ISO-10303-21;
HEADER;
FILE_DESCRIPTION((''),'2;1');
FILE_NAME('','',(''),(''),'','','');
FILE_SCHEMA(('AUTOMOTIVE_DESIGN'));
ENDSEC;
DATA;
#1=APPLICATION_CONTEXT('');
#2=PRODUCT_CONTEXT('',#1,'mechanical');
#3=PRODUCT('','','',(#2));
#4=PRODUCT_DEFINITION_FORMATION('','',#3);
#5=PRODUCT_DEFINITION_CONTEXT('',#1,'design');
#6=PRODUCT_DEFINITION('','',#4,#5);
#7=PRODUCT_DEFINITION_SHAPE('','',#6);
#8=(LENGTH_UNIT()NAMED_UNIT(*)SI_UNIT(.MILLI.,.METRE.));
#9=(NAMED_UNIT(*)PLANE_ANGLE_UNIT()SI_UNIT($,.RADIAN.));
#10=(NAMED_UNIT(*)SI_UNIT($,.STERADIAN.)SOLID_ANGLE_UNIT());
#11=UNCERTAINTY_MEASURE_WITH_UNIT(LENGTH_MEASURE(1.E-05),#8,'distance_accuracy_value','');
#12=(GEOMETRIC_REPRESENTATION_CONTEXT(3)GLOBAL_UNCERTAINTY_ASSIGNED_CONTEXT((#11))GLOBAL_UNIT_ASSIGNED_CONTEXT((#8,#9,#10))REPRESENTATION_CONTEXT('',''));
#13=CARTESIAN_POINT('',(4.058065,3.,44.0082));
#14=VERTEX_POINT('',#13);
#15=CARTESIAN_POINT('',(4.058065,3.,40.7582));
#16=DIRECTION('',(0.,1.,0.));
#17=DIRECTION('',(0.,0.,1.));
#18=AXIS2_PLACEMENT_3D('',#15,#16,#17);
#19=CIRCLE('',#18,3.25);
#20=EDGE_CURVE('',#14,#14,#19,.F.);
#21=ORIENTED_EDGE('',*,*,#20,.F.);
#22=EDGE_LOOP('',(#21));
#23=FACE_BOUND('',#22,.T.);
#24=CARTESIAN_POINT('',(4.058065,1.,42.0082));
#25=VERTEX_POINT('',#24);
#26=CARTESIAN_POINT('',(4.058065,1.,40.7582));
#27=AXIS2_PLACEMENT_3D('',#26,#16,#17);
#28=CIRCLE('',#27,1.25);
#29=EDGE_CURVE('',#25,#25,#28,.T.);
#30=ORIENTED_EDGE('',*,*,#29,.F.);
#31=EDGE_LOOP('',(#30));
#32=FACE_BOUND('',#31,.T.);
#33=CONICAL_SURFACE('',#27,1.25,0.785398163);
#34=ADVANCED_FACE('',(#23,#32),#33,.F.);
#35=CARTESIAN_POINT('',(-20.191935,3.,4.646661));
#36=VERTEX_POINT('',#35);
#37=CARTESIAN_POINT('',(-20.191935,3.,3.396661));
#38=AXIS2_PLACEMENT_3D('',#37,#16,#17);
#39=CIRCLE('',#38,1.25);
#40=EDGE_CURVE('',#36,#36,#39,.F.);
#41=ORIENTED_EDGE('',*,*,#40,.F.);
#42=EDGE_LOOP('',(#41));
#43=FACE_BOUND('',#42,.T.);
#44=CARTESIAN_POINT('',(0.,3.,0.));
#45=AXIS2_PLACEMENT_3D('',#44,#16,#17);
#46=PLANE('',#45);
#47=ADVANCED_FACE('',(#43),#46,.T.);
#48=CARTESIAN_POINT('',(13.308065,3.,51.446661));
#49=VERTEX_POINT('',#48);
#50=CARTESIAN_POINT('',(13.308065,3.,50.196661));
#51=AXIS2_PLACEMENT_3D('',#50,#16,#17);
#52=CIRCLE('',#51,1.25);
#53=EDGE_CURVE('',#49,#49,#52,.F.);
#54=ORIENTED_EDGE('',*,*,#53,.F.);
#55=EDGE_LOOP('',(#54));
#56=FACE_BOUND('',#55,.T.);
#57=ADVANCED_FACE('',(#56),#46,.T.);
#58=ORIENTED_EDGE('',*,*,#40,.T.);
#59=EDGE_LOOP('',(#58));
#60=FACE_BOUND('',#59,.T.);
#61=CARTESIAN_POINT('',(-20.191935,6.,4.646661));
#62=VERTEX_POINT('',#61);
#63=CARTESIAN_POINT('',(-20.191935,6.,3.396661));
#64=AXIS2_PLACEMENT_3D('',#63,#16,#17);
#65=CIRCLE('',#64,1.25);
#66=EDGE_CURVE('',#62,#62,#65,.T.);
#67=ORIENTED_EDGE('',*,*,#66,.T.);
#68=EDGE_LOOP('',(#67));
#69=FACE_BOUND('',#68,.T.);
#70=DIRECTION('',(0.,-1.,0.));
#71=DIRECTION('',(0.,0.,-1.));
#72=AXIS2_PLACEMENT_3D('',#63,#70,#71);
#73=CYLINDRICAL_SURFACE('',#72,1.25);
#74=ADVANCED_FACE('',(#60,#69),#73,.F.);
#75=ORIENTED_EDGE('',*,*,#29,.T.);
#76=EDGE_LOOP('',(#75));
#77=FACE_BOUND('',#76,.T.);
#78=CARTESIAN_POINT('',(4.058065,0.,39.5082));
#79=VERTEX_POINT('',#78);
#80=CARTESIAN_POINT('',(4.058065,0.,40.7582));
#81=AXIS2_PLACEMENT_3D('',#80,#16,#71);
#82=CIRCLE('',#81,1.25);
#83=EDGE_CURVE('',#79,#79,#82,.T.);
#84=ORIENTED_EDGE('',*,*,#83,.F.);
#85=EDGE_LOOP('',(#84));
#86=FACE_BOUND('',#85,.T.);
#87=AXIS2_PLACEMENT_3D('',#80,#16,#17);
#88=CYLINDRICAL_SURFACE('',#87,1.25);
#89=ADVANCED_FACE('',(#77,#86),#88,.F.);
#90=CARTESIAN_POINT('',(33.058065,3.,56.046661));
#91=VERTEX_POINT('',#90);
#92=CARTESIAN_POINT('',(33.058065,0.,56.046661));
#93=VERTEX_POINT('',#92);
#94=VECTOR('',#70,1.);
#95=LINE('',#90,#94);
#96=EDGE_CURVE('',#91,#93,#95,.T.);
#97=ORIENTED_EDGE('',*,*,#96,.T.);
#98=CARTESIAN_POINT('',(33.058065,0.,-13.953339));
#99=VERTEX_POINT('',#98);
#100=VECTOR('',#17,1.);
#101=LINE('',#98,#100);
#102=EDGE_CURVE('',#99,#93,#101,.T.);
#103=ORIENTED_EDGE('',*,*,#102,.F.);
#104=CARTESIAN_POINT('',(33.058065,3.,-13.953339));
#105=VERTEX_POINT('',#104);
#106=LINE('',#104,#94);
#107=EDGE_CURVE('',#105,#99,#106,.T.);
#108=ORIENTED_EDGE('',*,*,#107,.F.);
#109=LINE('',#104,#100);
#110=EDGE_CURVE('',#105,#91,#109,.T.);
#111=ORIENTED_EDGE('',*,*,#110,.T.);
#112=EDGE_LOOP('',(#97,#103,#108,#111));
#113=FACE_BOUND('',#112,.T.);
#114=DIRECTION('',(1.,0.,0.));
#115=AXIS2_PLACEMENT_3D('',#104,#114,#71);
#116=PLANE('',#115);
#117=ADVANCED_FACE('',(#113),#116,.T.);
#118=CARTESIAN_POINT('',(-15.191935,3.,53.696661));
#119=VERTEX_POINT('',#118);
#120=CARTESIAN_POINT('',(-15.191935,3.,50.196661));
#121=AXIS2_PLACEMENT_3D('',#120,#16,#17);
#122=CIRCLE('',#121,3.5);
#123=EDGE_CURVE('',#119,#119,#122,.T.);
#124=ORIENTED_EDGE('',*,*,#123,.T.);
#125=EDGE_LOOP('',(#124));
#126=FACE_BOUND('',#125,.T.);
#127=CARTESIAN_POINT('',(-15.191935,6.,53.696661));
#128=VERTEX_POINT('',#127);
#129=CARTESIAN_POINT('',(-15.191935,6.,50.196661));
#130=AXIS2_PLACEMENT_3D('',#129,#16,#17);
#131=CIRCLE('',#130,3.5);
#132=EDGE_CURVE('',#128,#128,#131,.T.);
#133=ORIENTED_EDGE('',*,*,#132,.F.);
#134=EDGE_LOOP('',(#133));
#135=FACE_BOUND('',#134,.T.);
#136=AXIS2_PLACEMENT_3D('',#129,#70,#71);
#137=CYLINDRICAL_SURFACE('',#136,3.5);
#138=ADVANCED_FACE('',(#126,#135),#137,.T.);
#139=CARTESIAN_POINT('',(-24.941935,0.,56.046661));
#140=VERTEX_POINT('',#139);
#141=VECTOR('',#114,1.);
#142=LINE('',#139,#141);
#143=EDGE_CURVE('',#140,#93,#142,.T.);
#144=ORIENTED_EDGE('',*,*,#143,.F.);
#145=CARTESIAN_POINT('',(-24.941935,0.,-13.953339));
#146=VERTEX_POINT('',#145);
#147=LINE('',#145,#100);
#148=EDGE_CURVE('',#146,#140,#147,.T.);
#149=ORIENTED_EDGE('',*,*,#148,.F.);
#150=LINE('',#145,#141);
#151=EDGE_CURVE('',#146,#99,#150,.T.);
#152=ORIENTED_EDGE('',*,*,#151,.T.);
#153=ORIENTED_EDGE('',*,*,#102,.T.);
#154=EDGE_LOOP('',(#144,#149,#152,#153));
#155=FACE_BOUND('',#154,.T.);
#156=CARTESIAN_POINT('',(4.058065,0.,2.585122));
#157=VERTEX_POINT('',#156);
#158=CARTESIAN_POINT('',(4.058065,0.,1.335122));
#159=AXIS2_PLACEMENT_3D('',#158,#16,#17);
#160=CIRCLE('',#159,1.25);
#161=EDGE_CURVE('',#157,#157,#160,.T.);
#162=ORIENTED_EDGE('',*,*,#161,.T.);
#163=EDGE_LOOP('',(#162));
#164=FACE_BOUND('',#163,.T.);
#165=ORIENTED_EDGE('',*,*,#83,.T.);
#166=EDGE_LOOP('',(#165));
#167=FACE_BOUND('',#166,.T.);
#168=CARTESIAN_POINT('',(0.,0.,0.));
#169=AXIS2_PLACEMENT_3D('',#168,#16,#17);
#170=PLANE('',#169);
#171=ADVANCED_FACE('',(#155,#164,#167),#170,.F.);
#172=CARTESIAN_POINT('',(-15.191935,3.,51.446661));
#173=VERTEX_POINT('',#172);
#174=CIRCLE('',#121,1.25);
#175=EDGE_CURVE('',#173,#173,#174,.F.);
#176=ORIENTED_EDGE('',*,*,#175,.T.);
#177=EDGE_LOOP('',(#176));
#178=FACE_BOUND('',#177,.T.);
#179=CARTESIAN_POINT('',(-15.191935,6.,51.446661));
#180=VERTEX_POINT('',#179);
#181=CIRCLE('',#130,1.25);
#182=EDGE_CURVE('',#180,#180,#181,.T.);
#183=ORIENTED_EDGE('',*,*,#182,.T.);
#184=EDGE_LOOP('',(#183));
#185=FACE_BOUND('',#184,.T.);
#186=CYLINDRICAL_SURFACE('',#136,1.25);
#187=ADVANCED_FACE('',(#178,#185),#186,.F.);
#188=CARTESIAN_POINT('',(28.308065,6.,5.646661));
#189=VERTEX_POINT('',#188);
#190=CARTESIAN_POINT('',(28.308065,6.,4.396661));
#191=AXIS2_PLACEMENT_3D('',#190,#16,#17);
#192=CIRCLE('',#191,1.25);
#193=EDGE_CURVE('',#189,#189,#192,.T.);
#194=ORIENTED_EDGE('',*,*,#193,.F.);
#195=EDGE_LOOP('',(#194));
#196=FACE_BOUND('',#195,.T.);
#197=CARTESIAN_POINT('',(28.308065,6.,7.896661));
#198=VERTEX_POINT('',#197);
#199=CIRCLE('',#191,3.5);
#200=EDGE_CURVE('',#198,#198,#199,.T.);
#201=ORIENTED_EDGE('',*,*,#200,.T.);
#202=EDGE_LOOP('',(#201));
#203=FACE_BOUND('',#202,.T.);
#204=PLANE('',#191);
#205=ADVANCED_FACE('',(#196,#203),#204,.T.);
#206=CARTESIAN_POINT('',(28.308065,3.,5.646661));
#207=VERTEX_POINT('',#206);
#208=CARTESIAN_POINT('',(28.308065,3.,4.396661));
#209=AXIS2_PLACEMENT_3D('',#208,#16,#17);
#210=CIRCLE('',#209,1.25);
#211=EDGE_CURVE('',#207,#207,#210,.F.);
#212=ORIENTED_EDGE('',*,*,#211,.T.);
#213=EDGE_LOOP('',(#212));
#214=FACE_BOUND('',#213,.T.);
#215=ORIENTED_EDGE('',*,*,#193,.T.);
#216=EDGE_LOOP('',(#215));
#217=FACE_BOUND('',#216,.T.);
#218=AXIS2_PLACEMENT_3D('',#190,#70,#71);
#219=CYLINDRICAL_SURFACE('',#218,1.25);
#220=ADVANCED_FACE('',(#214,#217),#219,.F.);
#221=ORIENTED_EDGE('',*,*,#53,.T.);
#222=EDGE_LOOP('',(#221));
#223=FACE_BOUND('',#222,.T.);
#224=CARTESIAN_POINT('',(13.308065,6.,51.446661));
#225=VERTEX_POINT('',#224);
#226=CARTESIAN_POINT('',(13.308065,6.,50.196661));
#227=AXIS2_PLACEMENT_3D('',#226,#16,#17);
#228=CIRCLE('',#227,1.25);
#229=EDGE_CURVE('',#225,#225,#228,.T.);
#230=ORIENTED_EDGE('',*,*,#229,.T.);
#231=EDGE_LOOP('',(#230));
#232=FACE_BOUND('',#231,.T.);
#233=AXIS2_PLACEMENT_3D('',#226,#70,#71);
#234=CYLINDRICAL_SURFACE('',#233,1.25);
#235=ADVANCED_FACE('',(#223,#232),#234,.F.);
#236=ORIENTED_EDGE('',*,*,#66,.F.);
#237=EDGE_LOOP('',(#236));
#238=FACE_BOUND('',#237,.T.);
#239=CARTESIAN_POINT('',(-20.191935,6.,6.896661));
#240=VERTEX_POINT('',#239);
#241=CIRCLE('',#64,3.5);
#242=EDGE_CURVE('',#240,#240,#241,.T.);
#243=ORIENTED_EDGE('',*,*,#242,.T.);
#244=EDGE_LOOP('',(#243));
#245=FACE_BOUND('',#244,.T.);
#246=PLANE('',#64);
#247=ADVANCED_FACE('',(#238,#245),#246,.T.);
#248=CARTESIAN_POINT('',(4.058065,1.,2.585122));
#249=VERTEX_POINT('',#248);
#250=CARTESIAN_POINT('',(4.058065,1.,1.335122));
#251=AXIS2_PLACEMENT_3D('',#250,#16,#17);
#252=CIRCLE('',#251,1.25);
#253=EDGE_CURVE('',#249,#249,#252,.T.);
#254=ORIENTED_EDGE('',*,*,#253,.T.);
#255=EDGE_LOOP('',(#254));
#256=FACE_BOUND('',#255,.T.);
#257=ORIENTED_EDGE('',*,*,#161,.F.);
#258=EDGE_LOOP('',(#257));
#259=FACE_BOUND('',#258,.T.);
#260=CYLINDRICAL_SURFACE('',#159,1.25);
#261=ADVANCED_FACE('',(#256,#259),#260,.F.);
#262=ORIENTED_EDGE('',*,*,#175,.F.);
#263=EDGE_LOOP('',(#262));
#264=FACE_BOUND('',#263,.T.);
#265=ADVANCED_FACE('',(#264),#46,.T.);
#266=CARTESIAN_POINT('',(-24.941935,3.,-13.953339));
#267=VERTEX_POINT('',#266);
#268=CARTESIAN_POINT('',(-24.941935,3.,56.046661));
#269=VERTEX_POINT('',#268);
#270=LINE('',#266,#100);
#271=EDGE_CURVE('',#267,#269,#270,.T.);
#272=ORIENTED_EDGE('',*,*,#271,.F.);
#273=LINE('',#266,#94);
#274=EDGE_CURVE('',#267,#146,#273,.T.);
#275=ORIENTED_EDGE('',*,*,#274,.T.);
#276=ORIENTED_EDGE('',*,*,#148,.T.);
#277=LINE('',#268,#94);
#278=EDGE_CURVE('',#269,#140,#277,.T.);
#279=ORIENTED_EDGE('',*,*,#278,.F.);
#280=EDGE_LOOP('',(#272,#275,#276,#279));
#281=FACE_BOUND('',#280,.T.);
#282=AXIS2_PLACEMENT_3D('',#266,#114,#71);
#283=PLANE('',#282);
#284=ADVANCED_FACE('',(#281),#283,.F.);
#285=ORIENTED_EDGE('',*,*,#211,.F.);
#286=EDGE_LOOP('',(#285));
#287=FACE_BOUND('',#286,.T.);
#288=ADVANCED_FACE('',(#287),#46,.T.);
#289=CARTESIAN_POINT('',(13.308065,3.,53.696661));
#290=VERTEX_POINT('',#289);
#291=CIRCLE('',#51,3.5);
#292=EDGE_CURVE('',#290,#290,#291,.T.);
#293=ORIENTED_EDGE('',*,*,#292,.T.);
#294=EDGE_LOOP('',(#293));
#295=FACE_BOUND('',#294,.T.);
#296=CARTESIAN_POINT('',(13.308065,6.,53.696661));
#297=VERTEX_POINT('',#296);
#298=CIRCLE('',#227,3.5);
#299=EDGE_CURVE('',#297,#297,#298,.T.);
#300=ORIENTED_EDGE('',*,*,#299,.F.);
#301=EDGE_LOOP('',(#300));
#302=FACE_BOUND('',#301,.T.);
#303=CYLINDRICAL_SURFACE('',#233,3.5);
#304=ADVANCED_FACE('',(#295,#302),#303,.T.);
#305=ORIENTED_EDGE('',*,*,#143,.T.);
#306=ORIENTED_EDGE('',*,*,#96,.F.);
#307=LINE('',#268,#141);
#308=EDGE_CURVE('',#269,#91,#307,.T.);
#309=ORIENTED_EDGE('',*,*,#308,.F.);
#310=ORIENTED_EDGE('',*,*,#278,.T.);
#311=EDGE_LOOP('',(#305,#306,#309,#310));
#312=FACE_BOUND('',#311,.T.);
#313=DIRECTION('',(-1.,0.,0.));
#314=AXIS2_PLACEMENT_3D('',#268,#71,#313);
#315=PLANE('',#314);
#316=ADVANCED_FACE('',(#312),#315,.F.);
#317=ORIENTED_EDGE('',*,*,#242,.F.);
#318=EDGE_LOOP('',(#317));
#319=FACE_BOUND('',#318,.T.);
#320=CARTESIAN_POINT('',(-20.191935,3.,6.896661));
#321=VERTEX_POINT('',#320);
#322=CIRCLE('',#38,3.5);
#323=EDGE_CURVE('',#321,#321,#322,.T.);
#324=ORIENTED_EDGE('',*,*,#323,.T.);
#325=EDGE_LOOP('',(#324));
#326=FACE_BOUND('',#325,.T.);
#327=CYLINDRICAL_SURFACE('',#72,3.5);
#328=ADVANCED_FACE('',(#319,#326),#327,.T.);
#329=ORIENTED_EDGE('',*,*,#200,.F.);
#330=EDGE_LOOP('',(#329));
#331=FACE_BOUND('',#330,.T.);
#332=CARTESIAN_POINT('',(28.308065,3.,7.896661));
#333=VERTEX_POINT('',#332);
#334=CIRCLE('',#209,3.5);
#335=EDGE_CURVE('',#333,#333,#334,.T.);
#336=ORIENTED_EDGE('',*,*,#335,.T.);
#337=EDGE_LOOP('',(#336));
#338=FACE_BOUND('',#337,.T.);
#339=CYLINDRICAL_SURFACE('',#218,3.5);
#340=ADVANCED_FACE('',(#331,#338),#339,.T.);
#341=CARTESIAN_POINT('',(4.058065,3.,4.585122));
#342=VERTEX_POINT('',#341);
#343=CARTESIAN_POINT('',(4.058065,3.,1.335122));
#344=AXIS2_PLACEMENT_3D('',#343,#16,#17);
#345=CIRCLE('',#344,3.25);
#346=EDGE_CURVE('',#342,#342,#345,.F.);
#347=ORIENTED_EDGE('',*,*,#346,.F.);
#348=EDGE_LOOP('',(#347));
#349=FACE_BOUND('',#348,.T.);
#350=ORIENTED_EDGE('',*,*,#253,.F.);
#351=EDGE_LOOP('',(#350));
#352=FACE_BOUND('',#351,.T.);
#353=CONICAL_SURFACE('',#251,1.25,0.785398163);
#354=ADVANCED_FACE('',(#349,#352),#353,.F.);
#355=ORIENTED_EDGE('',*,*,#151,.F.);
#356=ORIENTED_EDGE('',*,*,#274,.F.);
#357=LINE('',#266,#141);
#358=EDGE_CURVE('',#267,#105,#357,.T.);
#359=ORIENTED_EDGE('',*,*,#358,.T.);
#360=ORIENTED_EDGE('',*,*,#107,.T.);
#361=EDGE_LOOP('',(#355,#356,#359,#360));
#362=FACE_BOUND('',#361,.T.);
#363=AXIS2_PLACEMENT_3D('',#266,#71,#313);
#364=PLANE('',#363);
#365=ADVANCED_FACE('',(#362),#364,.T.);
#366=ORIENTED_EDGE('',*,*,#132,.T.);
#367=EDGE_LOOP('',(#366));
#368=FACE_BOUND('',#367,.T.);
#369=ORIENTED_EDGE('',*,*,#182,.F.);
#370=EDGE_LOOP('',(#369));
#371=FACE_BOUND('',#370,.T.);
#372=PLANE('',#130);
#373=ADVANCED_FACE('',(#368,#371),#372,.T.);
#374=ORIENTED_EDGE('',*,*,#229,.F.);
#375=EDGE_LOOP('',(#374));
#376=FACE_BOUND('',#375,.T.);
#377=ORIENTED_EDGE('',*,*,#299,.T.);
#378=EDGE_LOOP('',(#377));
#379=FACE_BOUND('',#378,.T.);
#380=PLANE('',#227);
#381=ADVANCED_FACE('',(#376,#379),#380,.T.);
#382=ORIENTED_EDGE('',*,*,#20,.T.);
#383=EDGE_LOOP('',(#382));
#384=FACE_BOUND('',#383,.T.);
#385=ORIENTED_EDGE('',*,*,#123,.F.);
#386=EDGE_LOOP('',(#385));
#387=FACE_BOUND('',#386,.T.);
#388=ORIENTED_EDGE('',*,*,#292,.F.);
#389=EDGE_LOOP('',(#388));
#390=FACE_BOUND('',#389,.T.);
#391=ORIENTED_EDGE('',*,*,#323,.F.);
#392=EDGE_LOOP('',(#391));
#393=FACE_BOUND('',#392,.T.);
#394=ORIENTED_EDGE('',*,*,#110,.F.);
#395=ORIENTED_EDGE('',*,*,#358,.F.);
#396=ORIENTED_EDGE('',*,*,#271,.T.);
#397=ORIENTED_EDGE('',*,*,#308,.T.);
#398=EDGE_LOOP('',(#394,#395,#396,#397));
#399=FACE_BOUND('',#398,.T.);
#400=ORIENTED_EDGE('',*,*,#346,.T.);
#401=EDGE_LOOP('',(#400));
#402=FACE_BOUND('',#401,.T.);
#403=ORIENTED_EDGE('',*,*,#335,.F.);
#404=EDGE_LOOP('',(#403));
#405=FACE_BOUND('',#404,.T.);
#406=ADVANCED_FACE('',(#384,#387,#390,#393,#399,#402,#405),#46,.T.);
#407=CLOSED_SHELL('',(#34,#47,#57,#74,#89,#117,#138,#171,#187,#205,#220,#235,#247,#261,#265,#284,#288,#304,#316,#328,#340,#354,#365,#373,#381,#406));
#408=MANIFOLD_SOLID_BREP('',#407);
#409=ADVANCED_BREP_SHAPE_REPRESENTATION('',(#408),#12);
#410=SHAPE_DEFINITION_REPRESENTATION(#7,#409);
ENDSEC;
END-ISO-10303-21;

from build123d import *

# Parameters (mm, degrees)
SKETCH_1_W          = 58
SKETCH_1_H          = 70
EXTRUDE_1_DEPTH     = 3
SKETCH_2_R          = 3.5
SKETCH_2_R_2        = 1.25
EXTRUDE_2_DEPTH     = 3
SKETCH_3_R          = 1.25
CUT_EXTRUDE_1_DEPTH = 3
CHAMFER_1_SIZE      = 2


with BuildPart() as part:
    # Эскиз1 → Бобышка-Вытянуть1 (new body)
    with BuildSketch(Plane(origin=(0, 0, 0), x_dir=(1, 0, 0), z_dir=(0, 1, 0))):
        with Locations((4.058065061, -21.04666133)):
            Rectangle(SKETCH_1_W, SKETCH_1_H)
    extrude(amount=EXTRUDE_1_DEPTH)

    # Эскиз2 → Бобышка-Вытянуть2 (add)
    with BuildSketch(Plane(origin=(0, 3, 0), x_dir=(1, 0, 0), z_dir=(0, 1, 0))):
        with Locations((28.308065061, -4.39666133)):
            Circle(SKETCH_2_R)
        with Locations((28.308065061, -4.39666133)):
            Circle(SKETCH_2_R_2, mode=Mode.SUBTRACT)
        with Locations((-20.191934939, -3.39666133)):
            Circle(SKETCH_2_R)
        with Locations((-20.191934939, -3.39666133)):
            Circle(SKETCH_2_R_2, mode=Mode.SUBTRACT)
        with Locations((-15.191934939, -50.19666133)):
            Circle(SKETCH_2_R)
        with Locations((-15.191934939, -50.19666133)):
            Circle(SKETCH_2_R_2, mode=Mode.SUBTRACT)
        with Locations((13.308065061, -50.19666133)):
            Circle(SKETCH_2_R)
        with Locations((13.308065061, -50.19666133)):
            Circle(SKETCH_2_R_2, mode=Mode.SUBTRACT)
    extrude(amount=EXTRUDE_2_DEPTH)

    # Эскиз3 → Вырез-Вытянуть1 (cut)
    with BuildSketch(Plane(origin=(0, 3, 0), x_dir=(1, 0, 0), z_dir=(0, 1, 0))):
        with Locations((4.058065061, -1.335122264)):
            Circle(SKETCH_3_R)
        with Locations((4.058065061, -40.758200397)):
            Circle(SKETCH_3_R)
    extrude(amount=-CUT_EXTRUDE_1_DEPTH, mode=Mode.SUBTRACT)

    # Фаска1
    chamfer_1_edges = [part.edges().sort_by_distance(p)[0] for p in [
        (2.808065061, 3, 1.335122264),
        (2.808065061, 3, 40.758200397),
    ]]
    chamfer(chamfer_1_edges, length=CHAMFER_1_SIZE)


solid = part.part
